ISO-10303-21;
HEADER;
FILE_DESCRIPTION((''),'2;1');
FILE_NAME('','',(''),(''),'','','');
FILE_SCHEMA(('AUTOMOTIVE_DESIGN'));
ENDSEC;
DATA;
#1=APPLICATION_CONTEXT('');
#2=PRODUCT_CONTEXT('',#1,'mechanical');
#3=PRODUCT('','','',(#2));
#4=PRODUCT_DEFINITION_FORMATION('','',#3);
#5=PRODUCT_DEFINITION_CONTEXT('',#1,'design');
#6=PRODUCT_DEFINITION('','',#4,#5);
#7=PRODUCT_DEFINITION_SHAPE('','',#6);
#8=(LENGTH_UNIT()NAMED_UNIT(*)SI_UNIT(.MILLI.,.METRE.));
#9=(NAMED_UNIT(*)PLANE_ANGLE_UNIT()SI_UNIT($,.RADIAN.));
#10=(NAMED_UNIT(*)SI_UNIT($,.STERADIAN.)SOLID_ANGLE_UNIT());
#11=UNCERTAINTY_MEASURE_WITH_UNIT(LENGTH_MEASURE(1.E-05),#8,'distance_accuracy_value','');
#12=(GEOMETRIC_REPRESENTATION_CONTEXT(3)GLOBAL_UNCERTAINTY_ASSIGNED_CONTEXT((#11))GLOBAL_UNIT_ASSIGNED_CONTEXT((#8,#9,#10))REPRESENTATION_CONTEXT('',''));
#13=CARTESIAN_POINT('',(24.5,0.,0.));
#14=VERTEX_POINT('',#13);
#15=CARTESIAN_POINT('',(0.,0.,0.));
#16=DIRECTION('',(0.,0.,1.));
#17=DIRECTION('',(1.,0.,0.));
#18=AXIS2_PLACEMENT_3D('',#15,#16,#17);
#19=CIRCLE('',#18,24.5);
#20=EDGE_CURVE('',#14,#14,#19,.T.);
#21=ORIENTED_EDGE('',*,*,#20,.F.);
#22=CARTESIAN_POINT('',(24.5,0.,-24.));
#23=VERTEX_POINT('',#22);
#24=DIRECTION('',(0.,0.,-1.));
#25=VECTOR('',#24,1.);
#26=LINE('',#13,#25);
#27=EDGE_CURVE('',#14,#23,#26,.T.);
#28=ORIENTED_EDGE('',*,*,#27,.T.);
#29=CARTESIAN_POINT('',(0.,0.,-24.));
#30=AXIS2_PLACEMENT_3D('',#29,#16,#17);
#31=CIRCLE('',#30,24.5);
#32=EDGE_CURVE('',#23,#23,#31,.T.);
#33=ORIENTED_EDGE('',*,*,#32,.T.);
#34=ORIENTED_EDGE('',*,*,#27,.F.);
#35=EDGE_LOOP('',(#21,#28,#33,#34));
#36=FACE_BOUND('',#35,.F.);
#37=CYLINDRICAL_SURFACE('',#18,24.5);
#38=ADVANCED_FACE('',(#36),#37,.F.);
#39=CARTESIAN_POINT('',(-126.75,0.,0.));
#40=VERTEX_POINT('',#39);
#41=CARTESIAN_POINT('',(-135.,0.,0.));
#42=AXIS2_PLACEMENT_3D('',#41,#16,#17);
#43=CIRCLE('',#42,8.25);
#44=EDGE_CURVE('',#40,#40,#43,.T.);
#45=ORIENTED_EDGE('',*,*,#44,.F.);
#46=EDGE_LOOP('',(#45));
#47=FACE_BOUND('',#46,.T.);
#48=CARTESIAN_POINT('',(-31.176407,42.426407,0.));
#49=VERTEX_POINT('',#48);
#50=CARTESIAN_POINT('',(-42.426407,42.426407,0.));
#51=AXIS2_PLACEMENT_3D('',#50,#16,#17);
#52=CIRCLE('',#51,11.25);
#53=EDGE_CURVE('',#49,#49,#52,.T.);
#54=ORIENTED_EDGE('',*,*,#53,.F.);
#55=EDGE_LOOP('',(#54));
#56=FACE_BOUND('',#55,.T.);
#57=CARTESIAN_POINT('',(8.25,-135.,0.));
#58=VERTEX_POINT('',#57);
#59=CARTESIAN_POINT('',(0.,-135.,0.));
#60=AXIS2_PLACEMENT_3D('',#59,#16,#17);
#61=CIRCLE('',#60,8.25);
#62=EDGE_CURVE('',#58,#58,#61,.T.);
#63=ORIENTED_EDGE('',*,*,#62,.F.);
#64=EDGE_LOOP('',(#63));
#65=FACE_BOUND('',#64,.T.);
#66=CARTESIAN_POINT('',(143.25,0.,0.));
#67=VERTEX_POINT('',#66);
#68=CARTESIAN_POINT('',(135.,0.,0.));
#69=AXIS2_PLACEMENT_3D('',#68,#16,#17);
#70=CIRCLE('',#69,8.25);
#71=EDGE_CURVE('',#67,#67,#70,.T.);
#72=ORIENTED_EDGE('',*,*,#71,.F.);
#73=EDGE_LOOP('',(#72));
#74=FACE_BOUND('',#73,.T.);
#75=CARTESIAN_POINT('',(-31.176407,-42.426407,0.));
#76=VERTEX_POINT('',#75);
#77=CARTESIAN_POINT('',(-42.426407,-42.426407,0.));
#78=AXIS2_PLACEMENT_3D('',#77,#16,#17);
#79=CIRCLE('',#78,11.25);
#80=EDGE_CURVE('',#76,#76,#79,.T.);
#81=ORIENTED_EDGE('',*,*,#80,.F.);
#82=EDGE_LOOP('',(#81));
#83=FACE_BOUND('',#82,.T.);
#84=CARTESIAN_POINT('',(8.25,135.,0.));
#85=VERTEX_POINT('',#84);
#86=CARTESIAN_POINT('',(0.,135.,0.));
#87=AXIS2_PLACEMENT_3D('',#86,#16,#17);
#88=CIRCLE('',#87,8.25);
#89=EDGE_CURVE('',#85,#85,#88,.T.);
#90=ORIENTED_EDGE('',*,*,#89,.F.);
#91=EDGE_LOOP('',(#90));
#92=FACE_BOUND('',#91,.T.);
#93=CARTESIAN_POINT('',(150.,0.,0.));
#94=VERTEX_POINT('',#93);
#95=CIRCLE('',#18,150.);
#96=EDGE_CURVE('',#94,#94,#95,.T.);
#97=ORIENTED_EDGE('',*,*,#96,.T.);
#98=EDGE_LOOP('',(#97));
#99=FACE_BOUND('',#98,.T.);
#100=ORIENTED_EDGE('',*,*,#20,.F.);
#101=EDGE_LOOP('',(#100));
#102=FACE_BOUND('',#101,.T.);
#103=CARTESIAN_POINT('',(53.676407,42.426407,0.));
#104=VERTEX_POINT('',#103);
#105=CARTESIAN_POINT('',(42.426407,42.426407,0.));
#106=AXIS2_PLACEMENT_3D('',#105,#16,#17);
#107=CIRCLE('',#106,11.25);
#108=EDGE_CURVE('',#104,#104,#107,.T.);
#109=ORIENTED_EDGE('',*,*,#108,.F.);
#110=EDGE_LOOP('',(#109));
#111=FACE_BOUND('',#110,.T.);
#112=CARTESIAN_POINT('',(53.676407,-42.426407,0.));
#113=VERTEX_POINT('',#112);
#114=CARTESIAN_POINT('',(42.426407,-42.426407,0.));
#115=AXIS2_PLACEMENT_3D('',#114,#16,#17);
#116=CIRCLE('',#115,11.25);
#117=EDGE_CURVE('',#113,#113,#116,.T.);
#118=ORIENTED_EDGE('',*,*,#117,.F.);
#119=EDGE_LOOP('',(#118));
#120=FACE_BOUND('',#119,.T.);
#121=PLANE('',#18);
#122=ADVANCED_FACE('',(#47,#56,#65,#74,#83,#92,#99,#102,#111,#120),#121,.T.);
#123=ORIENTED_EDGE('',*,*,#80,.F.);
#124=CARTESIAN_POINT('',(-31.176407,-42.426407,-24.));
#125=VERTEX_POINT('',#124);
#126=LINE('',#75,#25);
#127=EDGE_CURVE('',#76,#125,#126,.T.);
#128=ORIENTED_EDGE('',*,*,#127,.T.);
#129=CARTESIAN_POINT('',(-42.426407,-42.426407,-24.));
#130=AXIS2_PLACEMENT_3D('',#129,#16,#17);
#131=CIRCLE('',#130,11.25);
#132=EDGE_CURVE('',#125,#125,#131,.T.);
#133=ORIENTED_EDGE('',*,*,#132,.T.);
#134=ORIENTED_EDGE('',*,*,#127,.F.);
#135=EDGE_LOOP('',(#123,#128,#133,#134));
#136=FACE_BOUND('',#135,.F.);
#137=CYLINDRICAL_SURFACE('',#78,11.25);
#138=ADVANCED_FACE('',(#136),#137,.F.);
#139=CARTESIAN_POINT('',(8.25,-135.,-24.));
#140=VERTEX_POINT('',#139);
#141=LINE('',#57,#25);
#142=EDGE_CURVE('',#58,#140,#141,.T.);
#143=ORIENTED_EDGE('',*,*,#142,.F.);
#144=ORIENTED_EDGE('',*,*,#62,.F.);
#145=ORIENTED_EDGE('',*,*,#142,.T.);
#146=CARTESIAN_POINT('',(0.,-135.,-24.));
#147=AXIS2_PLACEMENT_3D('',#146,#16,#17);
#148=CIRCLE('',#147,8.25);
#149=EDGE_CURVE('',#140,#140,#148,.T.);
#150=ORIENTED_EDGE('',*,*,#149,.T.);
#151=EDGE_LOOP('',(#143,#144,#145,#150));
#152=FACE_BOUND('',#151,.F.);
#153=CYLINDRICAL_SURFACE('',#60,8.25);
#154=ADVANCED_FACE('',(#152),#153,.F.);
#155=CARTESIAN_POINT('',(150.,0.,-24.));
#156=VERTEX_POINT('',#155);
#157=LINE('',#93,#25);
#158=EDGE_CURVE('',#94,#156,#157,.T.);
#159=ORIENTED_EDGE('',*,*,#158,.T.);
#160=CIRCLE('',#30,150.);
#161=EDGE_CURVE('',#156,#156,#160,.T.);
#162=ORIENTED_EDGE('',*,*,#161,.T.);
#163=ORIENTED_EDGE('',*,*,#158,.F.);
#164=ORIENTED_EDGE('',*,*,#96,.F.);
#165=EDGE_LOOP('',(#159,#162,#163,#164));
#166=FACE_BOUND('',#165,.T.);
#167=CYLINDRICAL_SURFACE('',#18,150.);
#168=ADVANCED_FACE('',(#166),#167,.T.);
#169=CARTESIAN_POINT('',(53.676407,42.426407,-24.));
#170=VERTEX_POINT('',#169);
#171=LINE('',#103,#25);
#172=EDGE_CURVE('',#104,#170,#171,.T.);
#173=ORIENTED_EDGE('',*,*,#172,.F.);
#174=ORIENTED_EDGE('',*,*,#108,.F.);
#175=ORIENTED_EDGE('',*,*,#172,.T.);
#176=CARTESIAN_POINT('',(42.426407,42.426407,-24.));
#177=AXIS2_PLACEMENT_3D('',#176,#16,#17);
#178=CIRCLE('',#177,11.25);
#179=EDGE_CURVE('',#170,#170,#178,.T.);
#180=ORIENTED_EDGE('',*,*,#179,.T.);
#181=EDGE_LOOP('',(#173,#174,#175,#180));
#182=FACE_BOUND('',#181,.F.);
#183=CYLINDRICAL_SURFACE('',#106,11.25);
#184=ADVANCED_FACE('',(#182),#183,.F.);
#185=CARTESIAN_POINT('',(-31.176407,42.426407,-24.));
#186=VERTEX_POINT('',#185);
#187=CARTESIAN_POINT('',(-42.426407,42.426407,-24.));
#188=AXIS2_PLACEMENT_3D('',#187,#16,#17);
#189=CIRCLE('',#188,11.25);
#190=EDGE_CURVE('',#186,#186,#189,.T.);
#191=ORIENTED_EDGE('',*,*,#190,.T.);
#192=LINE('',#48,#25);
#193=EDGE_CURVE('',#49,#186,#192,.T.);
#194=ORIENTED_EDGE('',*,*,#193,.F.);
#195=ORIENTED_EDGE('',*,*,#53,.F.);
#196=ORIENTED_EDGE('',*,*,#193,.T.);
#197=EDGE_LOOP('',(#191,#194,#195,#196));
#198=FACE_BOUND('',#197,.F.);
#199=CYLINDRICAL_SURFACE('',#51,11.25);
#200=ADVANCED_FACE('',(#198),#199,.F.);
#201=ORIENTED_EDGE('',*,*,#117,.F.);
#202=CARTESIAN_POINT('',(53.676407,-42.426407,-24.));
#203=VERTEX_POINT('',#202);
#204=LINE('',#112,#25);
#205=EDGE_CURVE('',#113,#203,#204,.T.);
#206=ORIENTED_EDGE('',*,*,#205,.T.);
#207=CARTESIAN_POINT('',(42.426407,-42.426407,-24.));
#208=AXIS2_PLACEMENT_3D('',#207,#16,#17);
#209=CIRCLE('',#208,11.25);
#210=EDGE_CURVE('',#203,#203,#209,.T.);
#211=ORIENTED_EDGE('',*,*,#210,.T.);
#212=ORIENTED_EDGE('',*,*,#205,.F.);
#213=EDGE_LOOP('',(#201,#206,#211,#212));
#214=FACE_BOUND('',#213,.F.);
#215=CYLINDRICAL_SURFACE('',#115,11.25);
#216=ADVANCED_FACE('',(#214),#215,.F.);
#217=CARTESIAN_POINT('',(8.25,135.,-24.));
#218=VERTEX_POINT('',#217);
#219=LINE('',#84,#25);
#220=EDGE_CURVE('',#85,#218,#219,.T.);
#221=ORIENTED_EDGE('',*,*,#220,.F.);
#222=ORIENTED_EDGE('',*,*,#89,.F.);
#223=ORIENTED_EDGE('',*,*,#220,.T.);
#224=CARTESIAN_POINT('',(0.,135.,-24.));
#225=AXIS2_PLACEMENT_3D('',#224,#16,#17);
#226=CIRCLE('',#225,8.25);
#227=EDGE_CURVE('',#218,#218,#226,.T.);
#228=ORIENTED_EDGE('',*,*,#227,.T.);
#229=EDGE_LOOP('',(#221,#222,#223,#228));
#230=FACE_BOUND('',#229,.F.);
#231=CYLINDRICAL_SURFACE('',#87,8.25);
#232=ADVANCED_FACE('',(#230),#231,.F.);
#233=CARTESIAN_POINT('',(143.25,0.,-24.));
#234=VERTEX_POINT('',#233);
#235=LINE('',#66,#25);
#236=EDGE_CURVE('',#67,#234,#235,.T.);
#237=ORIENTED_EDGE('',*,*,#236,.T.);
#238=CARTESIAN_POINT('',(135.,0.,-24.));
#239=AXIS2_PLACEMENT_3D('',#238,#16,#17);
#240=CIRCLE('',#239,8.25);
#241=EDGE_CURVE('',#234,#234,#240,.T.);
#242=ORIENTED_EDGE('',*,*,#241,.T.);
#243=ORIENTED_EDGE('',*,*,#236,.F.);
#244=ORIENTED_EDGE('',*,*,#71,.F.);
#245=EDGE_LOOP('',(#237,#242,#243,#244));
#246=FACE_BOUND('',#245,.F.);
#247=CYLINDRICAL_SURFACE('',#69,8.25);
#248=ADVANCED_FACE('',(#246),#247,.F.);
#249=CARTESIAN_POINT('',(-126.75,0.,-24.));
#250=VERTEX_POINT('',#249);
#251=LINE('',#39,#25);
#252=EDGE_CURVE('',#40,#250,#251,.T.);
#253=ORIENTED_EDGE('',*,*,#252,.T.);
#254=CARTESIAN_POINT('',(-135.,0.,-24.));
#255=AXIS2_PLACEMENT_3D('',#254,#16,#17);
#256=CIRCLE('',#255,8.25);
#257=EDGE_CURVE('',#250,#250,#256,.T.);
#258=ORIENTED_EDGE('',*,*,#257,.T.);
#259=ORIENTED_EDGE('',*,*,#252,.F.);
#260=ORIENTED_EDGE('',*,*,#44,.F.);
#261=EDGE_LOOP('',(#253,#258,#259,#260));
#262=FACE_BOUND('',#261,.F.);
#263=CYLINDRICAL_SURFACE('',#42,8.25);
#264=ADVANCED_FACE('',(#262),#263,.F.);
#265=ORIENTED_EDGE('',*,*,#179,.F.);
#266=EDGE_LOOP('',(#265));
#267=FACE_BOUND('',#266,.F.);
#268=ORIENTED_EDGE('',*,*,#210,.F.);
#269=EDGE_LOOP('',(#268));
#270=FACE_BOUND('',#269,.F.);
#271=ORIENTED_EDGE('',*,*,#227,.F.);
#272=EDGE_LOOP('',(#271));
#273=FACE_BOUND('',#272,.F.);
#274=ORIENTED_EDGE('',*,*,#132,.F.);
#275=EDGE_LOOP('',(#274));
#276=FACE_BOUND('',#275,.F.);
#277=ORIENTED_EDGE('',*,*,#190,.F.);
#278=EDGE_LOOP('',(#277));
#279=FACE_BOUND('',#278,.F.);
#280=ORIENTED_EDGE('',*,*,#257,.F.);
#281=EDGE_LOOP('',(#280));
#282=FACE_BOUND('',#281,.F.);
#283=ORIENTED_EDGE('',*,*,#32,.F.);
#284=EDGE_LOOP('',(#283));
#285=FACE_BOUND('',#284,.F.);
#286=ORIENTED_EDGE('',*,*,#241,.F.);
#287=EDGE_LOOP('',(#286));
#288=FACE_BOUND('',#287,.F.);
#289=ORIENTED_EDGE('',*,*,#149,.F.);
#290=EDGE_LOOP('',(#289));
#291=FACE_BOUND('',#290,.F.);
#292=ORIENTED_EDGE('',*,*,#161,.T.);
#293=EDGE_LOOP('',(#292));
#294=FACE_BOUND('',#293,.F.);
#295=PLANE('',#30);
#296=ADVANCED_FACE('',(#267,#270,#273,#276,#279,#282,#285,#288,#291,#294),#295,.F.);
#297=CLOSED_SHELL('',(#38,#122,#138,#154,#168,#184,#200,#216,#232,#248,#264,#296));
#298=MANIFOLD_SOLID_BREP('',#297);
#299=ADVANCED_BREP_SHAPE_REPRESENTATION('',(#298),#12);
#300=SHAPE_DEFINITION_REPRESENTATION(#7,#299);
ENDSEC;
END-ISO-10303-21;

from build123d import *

# Parameters (mm, degrees)
F0_R     = 150
F0_R_2   = 11.25
F0_R_3   = 8.25
F0_R_4   = 24.5
F1_DEPTH = 24


with BuildPart() as f1:
    # F0 (on Top) → F1 (new body)
    with BuildSketch(Plane.XY):
        Circle(F0_R)
        with Locations((-42.426407, -42.426407)):
            Circle(F0_R_2, mode=Mode.SUBTRACT)
        with Locations((0, -135)):
            Circle(F0_R_3, mode=Mode.SUBTRACT)
        with Locations((42.426407, -42.426407)):
            Circle(F0_R_2, mode=Mode.SUBTRACT)
        with Locations((-135, 0)):
            Circle(F0_R_3, mode=Mode.SUBTRACT)
        with Locations((-42.426407, 42.426407)):
            Circle(F0_R_2, mode=Mode.SUBTRACT)
        Circle(F0_R_4, mode=Mode.SUBTRACT)
        with Locations((42.426407, 42.426407)):
            Circle(F0_R_2, mode=Mode.SUBTRACT)
        with Locations((135, 0)):
            Circle(F0_R_3, mode=Mode.SUBTRACT)
        with Locations((0, 135)):
            Circle(F0_R_3, mode=Mode.SUBTRACT)
    extrude(amount=-F1_DEPTH)


solid = f1.part
